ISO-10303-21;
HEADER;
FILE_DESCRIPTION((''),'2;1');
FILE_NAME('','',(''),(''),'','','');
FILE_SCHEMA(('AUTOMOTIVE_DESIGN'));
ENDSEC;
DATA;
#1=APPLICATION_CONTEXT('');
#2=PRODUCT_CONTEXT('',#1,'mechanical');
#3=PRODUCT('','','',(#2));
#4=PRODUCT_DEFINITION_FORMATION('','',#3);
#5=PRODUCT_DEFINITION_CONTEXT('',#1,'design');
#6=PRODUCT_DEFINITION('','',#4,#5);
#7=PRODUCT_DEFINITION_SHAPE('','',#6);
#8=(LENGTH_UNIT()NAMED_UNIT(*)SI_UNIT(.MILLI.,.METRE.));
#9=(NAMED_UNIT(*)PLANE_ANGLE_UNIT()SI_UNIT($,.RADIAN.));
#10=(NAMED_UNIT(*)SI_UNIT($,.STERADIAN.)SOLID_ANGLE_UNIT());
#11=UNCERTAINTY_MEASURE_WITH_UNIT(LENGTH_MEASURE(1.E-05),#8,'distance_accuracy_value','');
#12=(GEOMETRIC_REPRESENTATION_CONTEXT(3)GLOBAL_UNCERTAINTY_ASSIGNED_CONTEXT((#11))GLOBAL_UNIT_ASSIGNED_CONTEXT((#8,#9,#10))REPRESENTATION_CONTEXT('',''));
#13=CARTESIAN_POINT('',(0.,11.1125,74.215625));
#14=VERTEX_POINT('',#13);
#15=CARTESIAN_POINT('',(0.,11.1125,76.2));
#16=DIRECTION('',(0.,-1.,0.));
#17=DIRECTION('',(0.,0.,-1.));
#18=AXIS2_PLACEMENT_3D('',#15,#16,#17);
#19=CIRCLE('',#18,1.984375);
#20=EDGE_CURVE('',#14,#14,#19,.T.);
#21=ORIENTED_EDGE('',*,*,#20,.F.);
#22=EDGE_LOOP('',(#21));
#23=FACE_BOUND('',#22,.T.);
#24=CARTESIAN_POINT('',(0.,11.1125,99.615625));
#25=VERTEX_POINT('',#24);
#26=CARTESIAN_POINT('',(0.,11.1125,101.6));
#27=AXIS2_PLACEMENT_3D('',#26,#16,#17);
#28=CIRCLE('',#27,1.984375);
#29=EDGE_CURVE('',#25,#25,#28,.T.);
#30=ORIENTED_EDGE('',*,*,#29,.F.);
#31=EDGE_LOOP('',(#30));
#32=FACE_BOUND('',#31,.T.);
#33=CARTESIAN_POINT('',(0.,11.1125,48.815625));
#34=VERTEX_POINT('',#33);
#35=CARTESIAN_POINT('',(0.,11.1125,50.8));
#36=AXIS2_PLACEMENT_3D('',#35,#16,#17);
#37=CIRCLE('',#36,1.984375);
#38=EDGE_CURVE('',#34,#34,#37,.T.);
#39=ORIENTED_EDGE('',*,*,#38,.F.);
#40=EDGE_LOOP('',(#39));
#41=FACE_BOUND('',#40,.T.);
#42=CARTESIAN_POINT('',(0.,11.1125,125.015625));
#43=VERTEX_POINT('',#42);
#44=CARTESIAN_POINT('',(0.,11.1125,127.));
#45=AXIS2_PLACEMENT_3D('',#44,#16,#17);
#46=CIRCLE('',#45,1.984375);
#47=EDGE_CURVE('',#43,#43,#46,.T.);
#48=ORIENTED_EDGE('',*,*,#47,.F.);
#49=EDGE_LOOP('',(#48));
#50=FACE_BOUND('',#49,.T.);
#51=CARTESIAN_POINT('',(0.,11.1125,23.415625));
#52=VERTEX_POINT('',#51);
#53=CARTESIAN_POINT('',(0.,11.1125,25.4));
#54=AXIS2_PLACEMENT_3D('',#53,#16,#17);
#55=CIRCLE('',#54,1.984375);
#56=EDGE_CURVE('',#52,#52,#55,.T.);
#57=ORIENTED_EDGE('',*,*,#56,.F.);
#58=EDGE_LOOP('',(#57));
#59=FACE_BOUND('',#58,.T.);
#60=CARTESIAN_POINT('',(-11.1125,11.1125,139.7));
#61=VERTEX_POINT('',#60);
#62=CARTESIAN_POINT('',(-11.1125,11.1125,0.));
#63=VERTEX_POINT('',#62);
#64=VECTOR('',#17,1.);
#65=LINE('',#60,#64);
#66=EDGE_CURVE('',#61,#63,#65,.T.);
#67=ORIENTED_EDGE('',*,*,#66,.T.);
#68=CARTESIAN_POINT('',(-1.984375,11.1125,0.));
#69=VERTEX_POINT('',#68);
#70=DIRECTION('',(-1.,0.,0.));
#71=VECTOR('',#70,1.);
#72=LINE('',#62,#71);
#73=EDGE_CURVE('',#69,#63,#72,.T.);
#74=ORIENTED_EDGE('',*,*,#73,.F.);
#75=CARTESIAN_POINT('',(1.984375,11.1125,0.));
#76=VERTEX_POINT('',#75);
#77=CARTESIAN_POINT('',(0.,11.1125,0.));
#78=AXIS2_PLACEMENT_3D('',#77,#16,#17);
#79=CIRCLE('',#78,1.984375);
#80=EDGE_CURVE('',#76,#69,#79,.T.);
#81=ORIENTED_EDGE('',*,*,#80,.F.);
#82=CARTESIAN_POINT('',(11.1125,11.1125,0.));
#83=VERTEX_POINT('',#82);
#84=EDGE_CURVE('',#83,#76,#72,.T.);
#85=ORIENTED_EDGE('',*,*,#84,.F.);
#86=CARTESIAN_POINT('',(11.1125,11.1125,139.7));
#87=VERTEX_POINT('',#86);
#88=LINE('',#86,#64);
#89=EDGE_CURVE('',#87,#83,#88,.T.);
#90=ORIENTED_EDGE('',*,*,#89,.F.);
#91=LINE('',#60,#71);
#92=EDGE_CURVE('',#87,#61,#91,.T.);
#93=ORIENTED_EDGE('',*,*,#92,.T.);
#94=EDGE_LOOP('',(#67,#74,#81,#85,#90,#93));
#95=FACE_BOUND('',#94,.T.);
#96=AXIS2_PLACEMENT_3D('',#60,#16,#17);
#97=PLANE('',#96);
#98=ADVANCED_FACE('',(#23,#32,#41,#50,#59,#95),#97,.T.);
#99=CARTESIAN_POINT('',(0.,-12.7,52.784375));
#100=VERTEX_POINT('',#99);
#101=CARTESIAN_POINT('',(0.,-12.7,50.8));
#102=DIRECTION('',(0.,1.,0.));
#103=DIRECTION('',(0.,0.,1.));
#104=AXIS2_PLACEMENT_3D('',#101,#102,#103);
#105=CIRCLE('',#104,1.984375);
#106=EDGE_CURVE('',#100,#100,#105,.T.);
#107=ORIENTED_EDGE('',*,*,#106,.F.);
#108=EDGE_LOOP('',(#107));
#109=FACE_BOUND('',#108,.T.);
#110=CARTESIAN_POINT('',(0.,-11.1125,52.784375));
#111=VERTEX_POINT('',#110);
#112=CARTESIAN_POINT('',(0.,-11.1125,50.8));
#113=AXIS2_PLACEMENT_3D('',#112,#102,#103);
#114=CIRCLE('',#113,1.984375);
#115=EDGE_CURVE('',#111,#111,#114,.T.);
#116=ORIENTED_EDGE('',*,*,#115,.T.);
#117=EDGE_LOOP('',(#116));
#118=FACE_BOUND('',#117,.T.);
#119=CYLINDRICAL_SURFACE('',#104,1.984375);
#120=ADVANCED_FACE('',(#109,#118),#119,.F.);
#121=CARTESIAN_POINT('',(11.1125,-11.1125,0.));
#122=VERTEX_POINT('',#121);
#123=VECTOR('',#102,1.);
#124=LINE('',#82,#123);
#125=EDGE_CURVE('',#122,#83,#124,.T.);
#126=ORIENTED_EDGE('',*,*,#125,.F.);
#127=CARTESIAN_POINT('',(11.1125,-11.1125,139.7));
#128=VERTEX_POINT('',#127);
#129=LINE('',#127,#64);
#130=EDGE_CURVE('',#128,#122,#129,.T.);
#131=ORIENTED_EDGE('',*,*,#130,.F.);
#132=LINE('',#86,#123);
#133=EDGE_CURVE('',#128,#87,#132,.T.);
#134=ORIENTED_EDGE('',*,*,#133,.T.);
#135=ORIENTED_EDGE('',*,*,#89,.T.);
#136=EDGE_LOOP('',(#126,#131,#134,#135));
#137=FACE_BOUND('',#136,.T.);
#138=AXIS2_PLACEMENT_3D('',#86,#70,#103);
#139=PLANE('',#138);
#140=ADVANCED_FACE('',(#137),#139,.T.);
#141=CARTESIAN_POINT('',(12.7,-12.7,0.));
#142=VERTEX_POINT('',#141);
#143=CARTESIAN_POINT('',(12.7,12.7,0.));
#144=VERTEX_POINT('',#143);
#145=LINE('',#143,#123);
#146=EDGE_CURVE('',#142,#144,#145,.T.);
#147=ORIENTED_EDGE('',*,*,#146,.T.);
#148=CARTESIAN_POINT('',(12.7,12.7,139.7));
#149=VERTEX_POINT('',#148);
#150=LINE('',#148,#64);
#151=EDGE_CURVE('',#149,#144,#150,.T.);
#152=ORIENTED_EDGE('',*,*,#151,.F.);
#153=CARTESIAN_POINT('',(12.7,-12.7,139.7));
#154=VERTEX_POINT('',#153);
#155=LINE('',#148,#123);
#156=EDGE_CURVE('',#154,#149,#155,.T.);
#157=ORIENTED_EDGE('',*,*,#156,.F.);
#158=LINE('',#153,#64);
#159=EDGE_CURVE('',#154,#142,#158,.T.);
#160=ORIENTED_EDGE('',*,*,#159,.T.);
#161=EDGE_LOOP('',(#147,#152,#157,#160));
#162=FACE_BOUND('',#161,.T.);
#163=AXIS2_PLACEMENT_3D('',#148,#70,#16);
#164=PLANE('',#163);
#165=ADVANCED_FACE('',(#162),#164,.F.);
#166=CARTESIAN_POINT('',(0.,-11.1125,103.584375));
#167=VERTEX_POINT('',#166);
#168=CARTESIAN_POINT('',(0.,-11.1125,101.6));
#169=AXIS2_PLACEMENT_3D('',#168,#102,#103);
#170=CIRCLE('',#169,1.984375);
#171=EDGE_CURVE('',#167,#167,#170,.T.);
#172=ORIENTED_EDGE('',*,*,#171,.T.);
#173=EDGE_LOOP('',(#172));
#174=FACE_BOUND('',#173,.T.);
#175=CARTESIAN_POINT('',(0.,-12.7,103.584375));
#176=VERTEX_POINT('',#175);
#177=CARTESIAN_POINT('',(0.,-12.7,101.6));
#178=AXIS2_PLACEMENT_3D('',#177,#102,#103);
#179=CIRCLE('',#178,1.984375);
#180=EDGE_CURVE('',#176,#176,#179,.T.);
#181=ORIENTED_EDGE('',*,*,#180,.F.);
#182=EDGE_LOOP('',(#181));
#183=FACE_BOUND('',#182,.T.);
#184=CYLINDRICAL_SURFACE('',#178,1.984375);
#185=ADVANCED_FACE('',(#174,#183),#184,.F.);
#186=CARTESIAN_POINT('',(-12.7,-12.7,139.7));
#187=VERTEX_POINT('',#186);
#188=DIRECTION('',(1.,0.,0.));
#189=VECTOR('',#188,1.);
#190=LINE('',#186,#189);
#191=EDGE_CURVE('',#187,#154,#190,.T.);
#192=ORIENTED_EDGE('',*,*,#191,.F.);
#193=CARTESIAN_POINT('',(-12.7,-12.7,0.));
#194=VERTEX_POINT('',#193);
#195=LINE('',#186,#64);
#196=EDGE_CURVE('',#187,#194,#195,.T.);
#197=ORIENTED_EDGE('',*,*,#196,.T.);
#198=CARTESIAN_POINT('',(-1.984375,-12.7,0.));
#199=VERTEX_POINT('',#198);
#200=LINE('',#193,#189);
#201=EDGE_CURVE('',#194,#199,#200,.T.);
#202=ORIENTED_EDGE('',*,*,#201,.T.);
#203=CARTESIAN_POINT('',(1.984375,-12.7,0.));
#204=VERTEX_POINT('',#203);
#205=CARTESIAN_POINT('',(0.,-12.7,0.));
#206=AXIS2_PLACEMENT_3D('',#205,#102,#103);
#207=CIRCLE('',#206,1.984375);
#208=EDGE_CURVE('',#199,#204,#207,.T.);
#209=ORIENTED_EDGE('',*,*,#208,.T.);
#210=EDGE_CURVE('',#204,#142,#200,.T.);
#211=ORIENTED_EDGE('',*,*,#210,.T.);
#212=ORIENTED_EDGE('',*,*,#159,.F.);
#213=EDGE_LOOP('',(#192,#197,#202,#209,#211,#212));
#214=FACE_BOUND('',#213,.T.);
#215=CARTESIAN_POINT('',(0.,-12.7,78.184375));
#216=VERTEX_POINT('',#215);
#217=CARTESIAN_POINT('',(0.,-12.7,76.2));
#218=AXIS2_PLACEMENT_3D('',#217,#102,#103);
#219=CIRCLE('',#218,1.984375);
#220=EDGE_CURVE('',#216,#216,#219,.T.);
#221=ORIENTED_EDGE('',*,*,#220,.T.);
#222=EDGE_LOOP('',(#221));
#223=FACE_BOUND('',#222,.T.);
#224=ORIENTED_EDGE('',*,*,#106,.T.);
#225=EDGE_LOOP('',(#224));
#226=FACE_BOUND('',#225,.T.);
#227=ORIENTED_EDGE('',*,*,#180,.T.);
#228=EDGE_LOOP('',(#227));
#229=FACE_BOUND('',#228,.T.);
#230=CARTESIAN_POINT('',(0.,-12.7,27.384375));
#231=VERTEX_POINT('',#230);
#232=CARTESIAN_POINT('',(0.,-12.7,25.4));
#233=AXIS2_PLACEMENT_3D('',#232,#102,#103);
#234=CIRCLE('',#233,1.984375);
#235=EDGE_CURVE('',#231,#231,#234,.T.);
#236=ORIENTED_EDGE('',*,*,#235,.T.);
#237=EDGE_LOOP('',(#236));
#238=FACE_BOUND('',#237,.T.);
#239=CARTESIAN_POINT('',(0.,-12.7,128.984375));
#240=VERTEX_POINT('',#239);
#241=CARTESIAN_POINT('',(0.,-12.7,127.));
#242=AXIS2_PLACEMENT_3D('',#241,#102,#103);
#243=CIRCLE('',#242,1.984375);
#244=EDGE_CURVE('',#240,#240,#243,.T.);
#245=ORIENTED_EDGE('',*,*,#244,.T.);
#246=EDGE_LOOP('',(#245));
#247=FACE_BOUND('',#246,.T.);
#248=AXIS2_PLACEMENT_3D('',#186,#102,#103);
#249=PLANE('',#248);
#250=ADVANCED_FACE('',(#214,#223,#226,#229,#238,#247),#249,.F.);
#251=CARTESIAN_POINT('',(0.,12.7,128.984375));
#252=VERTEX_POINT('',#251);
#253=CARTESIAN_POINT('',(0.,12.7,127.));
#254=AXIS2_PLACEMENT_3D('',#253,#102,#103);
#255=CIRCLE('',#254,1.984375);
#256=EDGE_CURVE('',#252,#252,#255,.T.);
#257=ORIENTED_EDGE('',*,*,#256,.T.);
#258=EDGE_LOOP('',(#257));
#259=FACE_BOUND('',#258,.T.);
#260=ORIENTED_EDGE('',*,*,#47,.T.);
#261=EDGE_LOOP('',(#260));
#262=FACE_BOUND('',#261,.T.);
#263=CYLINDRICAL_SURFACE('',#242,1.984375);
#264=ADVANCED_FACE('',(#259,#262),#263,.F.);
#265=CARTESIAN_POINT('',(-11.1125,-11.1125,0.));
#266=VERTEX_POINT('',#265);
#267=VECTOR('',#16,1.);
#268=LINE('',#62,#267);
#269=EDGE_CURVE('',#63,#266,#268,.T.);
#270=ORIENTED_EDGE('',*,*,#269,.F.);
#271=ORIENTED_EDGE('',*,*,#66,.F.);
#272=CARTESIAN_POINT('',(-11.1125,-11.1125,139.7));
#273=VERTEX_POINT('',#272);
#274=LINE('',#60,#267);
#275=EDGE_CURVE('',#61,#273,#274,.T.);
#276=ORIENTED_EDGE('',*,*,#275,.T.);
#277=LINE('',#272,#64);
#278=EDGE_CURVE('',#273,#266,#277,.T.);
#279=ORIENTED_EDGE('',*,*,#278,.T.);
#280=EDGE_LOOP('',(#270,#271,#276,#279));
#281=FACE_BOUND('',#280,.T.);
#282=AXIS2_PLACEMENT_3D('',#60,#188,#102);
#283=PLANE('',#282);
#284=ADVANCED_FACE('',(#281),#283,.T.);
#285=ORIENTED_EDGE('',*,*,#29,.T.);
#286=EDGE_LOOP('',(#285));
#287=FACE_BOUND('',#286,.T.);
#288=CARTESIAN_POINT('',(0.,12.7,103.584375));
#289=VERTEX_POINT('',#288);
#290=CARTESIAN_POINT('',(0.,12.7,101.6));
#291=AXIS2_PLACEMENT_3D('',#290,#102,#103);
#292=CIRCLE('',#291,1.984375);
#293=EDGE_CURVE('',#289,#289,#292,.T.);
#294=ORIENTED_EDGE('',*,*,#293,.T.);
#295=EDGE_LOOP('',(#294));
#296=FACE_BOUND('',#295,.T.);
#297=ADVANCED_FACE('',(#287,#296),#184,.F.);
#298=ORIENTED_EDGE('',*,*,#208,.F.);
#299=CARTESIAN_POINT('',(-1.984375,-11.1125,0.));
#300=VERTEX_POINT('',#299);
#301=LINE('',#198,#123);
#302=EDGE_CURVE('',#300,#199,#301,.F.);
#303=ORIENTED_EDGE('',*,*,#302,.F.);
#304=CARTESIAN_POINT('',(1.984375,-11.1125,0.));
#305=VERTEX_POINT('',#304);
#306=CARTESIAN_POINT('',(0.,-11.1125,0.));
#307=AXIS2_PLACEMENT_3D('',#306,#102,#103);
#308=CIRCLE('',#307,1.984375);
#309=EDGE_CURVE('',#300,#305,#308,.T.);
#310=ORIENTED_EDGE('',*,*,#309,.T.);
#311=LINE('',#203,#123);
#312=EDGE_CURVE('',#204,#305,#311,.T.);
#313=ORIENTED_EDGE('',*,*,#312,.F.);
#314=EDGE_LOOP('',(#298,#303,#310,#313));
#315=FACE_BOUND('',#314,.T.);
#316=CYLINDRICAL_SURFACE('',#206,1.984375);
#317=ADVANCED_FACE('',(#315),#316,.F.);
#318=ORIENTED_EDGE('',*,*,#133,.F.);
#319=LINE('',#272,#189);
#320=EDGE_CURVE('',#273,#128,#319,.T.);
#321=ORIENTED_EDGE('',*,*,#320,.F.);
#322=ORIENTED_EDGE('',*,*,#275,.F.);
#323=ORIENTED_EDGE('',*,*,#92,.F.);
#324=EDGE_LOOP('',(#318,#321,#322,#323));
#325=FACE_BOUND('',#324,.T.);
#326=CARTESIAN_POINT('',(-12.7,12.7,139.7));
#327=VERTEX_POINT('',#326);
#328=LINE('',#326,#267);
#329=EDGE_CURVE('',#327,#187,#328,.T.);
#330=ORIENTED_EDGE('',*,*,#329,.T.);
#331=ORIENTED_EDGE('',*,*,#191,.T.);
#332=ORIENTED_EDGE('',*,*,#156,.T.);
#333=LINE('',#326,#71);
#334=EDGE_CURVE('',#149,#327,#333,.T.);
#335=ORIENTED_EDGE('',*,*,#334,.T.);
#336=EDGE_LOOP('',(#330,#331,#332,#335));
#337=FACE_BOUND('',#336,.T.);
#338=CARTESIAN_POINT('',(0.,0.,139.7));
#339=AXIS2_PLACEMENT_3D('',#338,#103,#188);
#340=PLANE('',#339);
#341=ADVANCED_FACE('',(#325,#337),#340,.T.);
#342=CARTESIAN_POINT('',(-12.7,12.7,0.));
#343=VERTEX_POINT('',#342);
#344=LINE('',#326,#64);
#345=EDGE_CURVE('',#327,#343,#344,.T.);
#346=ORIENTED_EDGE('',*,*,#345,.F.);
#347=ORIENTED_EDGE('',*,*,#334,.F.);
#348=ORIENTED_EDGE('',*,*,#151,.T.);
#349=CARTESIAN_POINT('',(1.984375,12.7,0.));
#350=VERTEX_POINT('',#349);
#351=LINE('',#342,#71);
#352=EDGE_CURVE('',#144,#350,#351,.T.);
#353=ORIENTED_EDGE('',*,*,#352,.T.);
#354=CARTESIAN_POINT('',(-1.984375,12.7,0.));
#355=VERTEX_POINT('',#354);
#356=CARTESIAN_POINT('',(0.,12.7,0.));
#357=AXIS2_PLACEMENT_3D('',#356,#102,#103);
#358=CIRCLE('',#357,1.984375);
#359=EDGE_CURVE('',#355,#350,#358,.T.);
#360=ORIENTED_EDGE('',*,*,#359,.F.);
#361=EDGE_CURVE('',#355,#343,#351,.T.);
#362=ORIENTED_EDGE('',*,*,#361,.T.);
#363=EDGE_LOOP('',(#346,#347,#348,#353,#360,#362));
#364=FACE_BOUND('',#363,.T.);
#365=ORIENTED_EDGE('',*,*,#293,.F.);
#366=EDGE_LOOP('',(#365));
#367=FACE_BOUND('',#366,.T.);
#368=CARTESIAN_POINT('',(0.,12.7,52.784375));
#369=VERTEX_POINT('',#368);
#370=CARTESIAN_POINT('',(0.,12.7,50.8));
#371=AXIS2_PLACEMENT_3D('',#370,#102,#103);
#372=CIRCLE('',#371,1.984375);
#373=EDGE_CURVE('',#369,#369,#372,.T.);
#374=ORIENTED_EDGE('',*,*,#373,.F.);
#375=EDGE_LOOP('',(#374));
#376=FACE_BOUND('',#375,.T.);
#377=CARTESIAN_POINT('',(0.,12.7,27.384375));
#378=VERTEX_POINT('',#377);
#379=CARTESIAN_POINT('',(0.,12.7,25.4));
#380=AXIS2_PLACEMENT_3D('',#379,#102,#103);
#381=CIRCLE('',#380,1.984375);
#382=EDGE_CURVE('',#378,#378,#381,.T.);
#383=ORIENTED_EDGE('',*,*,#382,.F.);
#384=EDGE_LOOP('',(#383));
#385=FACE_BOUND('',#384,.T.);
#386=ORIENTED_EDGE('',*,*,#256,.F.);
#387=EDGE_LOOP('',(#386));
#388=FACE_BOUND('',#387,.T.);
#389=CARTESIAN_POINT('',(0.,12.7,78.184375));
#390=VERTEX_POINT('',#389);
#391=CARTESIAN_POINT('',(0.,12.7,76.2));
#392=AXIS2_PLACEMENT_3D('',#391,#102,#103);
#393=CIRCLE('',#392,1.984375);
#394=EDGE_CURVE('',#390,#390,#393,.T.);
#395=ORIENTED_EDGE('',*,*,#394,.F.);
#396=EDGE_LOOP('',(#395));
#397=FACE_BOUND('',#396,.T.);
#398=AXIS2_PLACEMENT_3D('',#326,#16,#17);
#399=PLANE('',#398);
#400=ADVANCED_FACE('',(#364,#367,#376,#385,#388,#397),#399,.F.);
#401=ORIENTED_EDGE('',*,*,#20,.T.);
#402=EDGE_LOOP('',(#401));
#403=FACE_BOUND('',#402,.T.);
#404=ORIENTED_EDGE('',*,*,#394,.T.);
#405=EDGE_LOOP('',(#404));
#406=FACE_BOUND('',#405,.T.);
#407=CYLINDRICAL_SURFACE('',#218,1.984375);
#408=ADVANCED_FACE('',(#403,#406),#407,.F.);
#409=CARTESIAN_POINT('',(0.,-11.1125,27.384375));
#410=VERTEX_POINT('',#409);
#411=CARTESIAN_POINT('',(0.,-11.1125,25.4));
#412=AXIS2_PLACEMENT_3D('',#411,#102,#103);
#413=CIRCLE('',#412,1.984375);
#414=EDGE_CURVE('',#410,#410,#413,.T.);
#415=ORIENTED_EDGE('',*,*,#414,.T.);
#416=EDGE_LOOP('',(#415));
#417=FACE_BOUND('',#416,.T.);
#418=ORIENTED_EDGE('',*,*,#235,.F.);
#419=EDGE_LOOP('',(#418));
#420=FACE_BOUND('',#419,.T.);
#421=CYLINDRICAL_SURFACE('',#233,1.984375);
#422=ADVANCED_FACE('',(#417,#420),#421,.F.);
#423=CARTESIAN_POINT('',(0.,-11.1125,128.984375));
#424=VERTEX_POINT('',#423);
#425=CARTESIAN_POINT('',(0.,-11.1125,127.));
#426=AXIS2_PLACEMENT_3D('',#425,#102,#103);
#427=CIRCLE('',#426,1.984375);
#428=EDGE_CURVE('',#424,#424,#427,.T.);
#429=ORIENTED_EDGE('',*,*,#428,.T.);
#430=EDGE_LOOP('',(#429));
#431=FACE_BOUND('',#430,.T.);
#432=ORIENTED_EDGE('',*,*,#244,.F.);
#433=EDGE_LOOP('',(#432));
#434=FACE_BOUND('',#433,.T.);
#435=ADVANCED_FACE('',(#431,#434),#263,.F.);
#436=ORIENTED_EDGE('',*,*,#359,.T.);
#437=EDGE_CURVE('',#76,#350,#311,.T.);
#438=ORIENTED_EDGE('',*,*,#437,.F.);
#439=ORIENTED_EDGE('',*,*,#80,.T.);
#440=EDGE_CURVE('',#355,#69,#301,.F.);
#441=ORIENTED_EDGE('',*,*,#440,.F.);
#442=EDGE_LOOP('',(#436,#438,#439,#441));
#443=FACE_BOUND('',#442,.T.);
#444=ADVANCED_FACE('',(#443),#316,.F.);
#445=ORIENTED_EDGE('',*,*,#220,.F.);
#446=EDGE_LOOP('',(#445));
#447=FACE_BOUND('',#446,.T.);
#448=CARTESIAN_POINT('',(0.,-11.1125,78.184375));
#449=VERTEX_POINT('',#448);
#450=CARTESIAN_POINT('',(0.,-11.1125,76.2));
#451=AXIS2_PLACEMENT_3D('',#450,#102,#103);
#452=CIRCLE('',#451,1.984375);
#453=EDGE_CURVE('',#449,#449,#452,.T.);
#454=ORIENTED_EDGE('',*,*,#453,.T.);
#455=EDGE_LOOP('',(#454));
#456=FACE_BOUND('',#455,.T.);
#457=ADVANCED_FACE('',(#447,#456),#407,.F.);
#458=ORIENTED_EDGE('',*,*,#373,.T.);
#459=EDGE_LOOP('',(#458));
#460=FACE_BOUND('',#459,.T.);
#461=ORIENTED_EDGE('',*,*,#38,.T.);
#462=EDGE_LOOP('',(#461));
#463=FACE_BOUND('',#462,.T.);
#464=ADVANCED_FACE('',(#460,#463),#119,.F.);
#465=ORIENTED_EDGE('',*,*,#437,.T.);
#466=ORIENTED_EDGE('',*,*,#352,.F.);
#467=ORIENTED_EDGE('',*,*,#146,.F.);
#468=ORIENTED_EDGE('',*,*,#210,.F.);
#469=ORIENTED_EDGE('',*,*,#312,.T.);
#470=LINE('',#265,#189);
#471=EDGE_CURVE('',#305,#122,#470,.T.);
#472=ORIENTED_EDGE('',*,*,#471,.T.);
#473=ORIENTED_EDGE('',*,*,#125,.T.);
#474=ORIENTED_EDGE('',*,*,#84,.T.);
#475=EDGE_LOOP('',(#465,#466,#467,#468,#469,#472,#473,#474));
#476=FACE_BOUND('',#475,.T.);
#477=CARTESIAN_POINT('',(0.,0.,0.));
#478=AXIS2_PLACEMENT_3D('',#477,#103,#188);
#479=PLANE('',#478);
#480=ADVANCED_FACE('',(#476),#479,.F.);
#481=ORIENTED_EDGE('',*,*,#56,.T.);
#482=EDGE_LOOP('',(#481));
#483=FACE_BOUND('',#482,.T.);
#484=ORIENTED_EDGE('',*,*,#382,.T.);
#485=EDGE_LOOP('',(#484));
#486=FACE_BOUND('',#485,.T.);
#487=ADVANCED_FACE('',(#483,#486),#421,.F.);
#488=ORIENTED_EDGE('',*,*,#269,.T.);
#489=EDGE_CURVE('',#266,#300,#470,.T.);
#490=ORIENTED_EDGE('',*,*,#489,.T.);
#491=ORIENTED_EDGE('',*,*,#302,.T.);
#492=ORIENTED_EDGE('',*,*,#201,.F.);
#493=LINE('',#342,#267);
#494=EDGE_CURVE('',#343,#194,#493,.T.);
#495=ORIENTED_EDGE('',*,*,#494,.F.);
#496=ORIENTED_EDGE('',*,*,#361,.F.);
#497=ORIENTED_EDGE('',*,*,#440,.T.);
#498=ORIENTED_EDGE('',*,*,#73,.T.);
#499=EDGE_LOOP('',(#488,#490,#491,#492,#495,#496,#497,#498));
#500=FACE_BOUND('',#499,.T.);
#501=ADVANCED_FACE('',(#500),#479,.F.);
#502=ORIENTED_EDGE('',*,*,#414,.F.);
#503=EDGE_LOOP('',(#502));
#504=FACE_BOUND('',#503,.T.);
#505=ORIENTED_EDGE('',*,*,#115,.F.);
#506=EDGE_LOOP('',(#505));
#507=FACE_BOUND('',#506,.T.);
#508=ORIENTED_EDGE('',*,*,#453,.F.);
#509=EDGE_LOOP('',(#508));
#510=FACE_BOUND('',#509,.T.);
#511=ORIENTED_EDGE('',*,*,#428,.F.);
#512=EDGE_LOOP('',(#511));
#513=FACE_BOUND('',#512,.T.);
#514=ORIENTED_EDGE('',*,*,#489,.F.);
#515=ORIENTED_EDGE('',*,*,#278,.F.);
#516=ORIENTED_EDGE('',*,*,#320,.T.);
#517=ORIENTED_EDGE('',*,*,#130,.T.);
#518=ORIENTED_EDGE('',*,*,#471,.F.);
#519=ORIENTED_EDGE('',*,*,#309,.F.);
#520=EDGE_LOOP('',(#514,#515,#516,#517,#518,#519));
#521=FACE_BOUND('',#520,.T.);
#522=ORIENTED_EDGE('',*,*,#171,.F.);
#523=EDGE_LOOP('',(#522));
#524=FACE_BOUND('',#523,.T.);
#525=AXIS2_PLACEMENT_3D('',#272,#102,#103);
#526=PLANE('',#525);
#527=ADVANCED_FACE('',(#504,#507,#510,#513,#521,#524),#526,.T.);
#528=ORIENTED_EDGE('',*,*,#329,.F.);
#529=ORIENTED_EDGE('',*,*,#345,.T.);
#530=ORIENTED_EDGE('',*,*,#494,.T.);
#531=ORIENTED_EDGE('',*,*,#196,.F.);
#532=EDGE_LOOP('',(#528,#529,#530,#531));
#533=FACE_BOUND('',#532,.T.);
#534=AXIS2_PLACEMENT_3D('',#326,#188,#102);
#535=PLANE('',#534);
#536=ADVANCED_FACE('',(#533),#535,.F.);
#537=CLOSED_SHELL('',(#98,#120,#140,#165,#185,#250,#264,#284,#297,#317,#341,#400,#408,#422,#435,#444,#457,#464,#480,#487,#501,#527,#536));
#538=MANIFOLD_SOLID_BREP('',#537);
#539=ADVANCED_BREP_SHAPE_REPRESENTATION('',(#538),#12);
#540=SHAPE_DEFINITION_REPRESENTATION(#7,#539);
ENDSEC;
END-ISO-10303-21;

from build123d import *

# Parameters (mm, degrees)
SKETCH1_W           = 25.4
SKETCH1_H           = 25.4
SKETCH1_W_2         = 22.225
SKETCH1_H_2         = 22.225
BOSS_EXTRUDE1_DEPTH = 139.7
SKETCH2_R           = 1.984375
CUT_EXTRUDE1_DEPTH  = 26.4


with BuildPart() as part:
    # Sketch1 → Boss-Extrude1 (new body)
    with BuildSketch(Plane.XY):
        Rectangle(SKETCH1_W, SKETCH1_H)
        Rectangle(SKETCH1_W_2, SKETCH1_H_2, mode=Mode.SUBTRACT)
    extrude(amount=BOSS_EXTRUDE1_DEPTH)

    # Sketch2 → Cut-Extrude1 (cut, through all)
    with BuildSketch(Plane(origin=(0, 12.7, 0), x_dir=(1, 0, 0), z_dir=(0, 1, 0))):
        with Locations((0, -127)):
            Circle(SKETCH2_R)
        with Locations((0, -101.6)):
            Circle(SKETCH2_R)
        with Locations((0, -76.2)):
            Circle(SKETCH2_R)
        with Locations((0, -50.8)):
            Circle(SKETCH2_R)
        with Locations((0, -25.4)):
            Circle(SKETCH2_R)
        Circle(SKETCH2_R)
        with Locations((0, 25.4)):
            Circle(SKETCH2_R)
        with Locations((0, 50.8)):
            Circle(SKETCH2_R)
        with Locations((0, 76.2)):
            Circle(SKETCH2_R)
        with Locations((0, 101.6)):
            Circle(SKETCH2_R)
        with Locations((0, 127)):
            Circle(SKETCH2_R)
        with Locations((0, 152.4)):
            Circle(SKETCH2_R)
    extrude(amount=-CUT_EXTRUDE1_DEPTH, mode=Mode.SUBTRACT)


solid = part.part
